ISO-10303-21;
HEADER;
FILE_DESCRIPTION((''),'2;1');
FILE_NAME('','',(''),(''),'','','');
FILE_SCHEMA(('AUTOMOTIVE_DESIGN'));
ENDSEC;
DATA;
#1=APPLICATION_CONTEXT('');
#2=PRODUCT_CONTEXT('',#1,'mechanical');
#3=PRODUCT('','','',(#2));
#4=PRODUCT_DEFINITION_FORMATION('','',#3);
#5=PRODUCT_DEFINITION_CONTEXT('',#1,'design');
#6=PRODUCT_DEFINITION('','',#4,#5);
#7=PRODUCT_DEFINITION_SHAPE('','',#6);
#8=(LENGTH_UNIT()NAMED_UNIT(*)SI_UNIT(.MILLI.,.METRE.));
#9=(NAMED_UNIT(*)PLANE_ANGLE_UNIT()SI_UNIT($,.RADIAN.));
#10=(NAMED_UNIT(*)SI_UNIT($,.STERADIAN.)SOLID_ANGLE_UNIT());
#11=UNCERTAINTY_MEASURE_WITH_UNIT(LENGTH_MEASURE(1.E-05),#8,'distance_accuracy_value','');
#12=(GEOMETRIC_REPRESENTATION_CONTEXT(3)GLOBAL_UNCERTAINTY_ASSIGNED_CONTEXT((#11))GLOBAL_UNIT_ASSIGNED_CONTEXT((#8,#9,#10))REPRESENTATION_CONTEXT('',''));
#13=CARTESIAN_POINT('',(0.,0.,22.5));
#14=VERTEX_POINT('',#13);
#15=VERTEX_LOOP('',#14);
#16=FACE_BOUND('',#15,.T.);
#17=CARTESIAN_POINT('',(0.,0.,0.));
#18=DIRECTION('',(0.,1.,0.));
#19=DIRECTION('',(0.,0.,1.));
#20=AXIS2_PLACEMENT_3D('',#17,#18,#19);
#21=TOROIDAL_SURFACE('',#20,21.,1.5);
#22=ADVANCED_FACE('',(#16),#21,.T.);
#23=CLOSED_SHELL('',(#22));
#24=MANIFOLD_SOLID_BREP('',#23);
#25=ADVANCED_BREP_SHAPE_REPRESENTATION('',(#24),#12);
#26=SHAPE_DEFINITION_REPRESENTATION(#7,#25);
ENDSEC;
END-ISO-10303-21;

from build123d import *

# Parameters (mm, degrees)
SKETCH1_R = 1.5


with BuildPart() as part:
    # Sketch1 → Revolve1 (revolve)
    with BuildSketch(Plane.XY):
        with Locations((-21, 0)):
            Circle(SKETCH1_R)
    revolve(axis=Axis((0, 3.168228301, 0), (0, -1, 0)))


solid = part.part
